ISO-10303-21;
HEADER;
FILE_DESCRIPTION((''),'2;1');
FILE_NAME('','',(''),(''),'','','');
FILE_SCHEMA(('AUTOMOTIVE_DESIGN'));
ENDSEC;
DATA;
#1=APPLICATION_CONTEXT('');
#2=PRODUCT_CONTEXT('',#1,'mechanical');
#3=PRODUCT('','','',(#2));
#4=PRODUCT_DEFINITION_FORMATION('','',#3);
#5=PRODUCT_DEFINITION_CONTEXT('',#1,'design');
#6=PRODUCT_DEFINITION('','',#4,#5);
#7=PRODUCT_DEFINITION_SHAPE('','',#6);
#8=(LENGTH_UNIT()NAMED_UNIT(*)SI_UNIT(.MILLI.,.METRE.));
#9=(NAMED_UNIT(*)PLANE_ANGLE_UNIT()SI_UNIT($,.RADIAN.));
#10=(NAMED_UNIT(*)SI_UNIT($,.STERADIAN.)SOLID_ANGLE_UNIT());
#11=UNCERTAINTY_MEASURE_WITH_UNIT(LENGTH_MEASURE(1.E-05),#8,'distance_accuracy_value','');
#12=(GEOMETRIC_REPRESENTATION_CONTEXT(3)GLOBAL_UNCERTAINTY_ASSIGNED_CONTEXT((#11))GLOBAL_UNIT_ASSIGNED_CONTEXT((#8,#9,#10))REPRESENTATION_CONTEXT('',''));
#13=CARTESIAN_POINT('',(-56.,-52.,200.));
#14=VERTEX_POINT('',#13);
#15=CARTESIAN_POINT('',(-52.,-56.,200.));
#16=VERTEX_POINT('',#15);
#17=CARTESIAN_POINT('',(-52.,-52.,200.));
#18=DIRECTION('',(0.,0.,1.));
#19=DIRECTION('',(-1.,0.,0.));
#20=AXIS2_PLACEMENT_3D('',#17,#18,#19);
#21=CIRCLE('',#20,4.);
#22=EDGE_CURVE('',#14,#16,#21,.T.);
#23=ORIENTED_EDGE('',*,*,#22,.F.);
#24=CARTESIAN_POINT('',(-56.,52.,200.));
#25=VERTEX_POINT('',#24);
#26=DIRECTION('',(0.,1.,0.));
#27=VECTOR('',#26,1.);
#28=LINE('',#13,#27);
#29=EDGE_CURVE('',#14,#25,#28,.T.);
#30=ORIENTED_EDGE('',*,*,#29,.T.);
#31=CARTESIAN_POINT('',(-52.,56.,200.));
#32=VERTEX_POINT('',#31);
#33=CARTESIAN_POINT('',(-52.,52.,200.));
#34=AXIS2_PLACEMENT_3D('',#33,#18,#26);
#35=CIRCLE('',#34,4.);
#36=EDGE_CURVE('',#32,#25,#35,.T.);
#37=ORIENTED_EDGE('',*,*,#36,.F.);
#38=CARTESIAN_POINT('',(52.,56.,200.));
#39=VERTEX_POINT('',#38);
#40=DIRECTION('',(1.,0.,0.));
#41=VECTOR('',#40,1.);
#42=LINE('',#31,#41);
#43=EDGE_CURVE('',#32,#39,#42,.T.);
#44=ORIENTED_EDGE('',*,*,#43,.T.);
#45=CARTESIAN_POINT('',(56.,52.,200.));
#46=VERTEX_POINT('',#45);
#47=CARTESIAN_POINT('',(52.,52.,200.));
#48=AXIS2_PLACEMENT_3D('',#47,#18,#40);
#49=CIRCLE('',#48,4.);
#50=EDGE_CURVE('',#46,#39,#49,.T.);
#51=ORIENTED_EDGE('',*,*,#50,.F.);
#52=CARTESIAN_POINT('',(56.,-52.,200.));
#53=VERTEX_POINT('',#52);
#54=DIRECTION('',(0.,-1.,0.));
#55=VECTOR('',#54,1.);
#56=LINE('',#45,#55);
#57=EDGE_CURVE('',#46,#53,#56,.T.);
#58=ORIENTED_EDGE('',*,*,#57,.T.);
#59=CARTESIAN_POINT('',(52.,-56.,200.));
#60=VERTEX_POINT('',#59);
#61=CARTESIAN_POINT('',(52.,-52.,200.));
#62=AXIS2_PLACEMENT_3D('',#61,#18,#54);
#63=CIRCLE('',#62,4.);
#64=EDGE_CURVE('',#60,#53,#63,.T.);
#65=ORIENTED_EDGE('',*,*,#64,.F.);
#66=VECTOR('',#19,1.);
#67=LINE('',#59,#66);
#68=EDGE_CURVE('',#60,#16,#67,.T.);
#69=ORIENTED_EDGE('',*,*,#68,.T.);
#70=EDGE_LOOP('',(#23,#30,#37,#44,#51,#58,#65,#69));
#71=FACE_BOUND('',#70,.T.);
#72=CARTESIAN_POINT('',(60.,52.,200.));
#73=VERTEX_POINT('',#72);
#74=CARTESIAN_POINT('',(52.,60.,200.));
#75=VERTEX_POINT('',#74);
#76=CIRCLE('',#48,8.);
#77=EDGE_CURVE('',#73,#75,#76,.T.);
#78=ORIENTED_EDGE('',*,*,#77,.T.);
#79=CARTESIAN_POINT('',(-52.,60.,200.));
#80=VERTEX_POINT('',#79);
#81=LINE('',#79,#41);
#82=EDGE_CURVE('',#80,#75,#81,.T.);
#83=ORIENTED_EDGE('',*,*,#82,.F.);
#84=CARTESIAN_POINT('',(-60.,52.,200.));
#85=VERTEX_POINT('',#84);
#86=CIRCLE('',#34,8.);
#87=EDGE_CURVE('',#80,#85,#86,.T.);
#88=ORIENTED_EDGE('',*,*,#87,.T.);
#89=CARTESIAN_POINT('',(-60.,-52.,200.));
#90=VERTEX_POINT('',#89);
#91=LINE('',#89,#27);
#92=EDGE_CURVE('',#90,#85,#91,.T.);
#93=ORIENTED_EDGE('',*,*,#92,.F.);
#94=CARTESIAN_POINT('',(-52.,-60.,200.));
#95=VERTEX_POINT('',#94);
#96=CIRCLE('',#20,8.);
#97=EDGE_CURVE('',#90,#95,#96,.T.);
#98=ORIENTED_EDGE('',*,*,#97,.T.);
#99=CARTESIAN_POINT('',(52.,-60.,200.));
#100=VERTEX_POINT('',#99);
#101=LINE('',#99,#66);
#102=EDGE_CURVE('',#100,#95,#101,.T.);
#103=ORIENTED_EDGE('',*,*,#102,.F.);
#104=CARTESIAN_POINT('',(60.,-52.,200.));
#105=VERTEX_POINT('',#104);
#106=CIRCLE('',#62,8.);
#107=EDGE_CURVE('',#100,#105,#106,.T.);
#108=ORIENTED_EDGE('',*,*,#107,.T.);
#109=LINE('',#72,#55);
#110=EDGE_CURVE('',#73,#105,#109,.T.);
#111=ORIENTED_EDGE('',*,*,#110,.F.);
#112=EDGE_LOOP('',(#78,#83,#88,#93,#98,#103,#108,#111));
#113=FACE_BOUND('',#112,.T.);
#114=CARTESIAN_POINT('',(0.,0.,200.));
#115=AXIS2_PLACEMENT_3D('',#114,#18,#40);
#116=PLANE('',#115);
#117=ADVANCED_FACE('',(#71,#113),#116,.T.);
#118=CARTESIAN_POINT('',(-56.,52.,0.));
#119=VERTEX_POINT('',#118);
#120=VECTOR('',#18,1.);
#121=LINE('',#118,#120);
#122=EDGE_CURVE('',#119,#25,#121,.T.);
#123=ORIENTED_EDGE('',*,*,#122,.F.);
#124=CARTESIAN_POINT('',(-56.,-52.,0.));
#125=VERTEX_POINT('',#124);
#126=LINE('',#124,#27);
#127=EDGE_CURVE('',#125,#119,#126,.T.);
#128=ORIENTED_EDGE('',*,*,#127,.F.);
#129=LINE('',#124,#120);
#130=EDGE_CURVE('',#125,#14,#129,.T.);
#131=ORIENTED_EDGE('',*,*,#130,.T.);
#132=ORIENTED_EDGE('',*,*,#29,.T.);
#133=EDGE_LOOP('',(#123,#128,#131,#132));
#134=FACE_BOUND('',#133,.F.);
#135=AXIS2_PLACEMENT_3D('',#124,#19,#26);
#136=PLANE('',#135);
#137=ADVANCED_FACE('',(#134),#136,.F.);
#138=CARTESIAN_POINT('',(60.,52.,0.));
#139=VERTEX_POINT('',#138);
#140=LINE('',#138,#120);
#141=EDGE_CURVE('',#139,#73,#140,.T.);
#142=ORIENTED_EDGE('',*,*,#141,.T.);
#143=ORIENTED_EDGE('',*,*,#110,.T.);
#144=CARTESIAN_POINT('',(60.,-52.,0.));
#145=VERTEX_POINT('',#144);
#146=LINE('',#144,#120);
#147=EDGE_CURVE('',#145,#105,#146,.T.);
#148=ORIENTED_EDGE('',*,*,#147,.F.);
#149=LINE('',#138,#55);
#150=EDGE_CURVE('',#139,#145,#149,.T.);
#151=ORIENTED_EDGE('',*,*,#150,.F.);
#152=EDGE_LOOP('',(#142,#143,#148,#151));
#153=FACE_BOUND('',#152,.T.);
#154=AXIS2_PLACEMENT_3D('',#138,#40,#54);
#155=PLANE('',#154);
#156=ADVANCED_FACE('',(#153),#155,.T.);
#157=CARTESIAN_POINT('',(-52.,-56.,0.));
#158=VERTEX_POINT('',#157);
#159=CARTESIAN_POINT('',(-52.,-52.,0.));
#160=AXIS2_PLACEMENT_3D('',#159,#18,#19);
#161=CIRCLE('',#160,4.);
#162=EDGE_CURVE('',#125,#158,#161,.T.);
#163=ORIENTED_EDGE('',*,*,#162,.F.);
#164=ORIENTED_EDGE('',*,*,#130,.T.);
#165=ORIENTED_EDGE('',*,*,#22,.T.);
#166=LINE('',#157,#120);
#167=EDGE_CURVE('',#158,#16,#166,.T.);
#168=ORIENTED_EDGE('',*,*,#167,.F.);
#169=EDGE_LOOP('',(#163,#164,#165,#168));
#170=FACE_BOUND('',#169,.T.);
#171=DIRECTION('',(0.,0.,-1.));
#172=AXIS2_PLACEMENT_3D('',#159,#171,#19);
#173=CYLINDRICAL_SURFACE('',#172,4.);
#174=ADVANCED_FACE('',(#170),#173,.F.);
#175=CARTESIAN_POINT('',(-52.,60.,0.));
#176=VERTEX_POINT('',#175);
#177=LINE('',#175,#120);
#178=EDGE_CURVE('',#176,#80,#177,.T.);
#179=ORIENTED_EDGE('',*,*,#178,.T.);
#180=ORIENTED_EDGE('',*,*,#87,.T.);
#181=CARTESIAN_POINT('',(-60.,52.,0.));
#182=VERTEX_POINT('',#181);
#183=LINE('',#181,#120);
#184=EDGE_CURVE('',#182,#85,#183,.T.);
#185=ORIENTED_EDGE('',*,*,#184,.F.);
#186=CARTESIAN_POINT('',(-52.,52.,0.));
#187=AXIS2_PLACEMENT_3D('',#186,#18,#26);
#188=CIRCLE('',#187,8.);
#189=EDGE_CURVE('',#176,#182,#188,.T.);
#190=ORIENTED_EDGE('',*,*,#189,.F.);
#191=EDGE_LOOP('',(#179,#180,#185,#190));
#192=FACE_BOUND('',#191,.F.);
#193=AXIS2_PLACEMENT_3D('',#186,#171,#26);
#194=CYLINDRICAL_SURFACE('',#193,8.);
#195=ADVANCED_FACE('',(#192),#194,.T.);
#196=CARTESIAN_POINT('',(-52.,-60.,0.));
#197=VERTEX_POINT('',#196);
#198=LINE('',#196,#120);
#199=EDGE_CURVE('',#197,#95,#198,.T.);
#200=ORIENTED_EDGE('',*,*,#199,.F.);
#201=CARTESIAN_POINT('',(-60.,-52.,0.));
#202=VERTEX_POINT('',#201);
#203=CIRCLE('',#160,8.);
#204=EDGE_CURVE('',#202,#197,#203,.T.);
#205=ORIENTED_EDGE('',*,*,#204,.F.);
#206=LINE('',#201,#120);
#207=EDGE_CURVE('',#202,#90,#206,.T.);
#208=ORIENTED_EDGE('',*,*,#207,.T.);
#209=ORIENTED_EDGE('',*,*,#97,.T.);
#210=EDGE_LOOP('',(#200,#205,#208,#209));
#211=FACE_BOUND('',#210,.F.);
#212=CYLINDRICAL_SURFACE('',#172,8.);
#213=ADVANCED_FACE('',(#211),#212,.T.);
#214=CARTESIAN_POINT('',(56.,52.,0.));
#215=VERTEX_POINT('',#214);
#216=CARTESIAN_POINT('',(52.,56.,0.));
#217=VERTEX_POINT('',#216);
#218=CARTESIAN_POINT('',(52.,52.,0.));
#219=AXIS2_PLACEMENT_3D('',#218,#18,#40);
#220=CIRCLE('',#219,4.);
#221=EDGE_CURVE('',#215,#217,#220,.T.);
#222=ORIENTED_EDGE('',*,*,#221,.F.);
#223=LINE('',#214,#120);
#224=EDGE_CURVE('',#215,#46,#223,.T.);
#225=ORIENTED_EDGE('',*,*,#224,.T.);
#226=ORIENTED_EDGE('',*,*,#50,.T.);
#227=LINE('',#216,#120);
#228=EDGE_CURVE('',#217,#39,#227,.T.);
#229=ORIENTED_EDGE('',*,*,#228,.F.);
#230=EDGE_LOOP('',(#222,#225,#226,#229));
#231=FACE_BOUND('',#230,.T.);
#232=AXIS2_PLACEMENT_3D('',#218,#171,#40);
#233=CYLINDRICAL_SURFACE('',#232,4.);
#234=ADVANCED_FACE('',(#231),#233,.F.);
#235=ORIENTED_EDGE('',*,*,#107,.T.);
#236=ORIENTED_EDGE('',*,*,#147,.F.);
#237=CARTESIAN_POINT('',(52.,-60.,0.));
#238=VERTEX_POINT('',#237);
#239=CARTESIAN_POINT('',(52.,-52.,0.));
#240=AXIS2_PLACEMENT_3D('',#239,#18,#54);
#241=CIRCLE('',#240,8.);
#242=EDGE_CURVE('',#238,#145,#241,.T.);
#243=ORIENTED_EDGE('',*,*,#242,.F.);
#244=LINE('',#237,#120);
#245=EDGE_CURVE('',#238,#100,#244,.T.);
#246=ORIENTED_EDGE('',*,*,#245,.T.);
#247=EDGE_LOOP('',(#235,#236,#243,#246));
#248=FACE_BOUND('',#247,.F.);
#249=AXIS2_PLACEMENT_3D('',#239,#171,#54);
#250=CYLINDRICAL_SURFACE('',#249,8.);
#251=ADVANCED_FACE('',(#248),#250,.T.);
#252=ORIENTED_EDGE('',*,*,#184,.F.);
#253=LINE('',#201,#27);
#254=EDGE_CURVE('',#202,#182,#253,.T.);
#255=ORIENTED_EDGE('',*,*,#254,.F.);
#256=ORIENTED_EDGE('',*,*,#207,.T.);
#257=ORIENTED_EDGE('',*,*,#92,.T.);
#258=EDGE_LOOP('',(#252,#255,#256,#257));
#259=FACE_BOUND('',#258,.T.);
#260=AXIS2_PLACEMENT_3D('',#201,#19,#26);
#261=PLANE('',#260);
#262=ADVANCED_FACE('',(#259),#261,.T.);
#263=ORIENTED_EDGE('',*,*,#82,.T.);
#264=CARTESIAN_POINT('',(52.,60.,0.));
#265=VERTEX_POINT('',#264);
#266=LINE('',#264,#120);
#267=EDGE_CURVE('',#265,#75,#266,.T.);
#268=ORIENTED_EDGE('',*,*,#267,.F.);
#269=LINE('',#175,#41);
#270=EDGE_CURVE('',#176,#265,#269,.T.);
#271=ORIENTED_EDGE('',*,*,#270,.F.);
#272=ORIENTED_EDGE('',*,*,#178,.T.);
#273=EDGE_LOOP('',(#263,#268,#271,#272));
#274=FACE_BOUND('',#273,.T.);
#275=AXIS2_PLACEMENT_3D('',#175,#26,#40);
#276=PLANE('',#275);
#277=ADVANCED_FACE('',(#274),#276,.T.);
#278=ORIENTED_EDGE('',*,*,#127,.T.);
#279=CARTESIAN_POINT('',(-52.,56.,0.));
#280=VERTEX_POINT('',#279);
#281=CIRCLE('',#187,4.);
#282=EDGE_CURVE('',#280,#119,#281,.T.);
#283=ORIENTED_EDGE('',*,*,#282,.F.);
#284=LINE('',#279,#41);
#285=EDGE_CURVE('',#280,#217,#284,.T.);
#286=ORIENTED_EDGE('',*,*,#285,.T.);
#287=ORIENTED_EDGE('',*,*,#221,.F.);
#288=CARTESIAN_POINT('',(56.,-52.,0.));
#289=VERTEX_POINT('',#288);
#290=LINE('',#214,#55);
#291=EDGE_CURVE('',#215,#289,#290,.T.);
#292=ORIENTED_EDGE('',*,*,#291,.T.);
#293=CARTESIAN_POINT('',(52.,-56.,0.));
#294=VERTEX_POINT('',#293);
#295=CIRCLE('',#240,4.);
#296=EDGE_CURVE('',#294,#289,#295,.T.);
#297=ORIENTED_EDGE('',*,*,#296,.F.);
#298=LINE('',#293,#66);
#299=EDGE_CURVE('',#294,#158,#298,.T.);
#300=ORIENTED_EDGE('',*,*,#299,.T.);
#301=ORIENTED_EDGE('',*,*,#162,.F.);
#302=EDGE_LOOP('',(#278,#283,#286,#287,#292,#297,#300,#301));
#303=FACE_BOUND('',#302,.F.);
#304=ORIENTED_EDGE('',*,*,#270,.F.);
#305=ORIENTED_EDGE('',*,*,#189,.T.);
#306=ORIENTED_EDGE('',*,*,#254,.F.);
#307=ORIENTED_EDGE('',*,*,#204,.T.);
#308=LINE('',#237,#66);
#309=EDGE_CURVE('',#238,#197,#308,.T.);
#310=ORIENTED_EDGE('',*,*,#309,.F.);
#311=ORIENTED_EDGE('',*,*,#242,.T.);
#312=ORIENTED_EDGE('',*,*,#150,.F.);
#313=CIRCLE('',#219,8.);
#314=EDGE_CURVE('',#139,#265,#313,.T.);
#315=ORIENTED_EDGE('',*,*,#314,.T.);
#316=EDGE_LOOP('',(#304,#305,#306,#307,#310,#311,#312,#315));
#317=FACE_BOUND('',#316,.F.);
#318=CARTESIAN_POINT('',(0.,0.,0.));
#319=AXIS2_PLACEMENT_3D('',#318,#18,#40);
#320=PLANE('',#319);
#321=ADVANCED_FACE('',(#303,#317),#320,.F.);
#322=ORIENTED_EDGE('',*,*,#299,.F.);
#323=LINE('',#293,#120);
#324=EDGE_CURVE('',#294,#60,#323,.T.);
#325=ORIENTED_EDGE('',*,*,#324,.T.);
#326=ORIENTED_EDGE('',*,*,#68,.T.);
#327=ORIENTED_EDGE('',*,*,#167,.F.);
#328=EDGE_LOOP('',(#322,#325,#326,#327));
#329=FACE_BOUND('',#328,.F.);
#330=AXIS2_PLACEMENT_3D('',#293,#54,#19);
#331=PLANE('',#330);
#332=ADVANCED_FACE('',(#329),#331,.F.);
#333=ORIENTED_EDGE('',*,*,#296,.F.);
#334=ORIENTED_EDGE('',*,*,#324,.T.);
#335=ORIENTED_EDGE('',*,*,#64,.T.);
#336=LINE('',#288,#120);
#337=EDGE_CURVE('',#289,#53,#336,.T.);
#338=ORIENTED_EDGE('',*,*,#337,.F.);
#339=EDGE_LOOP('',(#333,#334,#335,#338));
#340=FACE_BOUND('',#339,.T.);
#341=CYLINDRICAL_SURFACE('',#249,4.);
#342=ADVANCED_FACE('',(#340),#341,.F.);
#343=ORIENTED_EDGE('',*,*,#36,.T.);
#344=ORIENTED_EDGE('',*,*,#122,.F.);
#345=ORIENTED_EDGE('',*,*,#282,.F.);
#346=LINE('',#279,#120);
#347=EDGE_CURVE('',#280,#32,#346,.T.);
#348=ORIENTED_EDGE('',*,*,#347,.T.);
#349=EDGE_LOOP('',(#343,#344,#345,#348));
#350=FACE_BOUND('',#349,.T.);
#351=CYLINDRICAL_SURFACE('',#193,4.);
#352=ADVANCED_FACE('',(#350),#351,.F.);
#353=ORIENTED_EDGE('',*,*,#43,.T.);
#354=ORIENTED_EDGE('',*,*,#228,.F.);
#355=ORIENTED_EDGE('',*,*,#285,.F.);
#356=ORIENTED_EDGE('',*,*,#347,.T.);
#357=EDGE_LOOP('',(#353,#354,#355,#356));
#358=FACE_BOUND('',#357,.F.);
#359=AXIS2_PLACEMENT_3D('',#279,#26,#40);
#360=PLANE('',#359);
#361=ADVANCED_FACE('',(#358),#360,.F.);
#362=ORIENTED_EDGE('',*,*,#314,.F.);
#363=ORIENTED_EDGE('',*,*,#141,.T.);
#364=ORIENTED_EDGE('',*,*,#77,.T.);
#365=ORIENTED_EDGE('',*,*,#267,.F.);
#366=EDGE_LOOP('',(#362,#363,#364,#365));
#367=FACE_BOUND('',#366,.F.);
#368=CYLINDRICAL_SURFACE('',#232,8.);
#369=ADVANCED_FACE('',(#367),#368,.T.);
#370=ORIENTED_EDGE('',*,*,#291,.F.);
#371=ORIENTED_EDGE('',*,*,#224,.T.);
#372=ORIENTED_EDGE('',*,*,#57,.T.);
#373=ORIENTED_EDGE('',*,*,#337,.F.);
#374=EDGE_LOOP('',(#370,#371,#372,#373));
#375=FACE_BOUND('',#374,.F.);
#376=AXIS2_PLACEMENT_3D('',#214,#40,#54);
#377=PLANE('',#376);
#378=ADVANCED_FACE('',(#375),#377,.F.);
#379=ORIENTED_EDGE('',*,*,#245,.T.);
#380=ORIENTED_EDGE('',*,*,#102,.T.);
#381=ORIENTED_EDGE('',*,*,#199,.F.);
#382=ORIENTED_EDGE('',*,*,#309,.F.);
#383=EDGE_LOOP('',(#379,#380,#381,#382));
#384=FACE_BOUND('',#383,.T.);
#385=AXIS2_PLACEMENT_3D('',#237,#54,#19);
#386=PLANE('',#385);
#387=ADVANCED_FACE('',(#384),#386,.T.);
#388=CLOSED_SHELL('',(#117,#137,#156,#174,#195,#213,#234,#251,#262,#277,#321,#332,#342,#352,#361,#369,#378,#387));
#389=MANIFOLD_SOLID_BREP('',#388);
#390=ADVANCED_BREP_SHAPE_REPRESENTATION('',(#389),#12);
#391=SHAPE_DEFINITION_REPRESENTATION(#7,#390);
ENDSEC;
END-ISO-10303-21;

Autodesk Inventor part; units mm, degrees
ref_plane "YZ Plane" through (0, 0, 0) normal (1, 0, 0) x (0, 1, 0)
ref_plane "Start plane" through (0, 0, 0) normal (0, 0, 1) x (1, 0, 0)
ref_plane "End plane" through (0, 0, 100) normal (0, 0, 1) x (1, 0, 0)
sketch "Sketch" plane through (0, 0, 0) normal (0, 0, 1) x (1, 0, 0)
  line L0 (-60, -52) -> (-60, 52)
  line L1 (-52, 60) -> (52, 60)
  line L2 (60, 52) -> (60, -52)
  line L3 (52, -60) -> (-52, -60)
  arc A0 (-60, -52) -> (-52, -60) centre (-52, -52) ccw
  arc A1 (-52, 60) -> (-60, 52) centre (-52, 52) ccw
  arc A2 (60, 52) -> (52, 60) centre (52, 52) ccw
  arc A3 (52, -60) -> (60, -52) centre (52, -52) ccw
  arc A4 (-52, 56) -> (-56, 52) centre (-52, 52) ccw
  line L4 (-52, 56) -> (52, 56)
  arc A5 (56, 52) -> (52, 56) centre (52, 52) ccw
  line L5 (56, 52) -> (56, -52)
  arc A6 (52, -56) -> (56, -52) centre (52, -52) ccw
  line L6 (52, -56) -> (-52, -56)
  arc A7 (-56, -52) -> (-52, -56) centre (-52, -52) ccw
  line L7 (-56, -52) -> (-56, 52)
  line L8 (0, 86.3196) -> (0, -86.3196) construction
  line L9 (-86.3196, 0) -> (86.3196, 0) construction
  circle A8 centre (0, 0) radius 4.9156 construction
  dimension "d7" = 8
  dimension "d10" = 120
  dimension "d11" = 120
  dimension "d12" = 4
  dimension "d15" = 60
  dimension "d16" = 60
extrude "Body" add sketch "Sketch" along normal blind 200
sketch "Sketch3" plane through (0, 0, 0) normal (0, 0, 1) x (1, 0, 0)
  line L0 (0, 0) -> (10, 0)
ref_plane "Work Plane3" through (0, 0, 0) normal (0, -1, 0) x (1, 0, 0)
sketch "Sketch4" plane through (0, 0, 0) normal (0, -1, 0) x (1, 0, 0)
  line L0 (-12.3242, 0) -> (13.7207, 0)
  line L1 (-12.3242, 100) -> (13.7207, 100)
  dimension "d18" = 100
sketch "Sketch5" plane through (0, 0, 0) normal (0, 0, 1) x (1, 0, 0)
  circle A0 centre (0, 0) radius 8.6035 construction
equation "\"d7\" = G_IR"
equation "\"d10\" = G_H"
equation "\"d11\" = G_W"
equation "\"d12\" = G_T"
equation "\"d15\" = 0.5 * d10"
equation "\"d16\" = 0.5 * d11"
equation "\"G_W\" = 120"
equation "\"G_H\" = 120"
equation "\"G_T\" = 4"
equation "\"G_IR\" = 8"
equation "\"G_L\" = d18"
equation "\"G_OFFSET_START\" = 0"
equation "\"G_OFFSET_END\" = 0"
properties part number "DIN EN 10219-2 - 120 x 120 x 4  - 100" material "Steel, Mild"
